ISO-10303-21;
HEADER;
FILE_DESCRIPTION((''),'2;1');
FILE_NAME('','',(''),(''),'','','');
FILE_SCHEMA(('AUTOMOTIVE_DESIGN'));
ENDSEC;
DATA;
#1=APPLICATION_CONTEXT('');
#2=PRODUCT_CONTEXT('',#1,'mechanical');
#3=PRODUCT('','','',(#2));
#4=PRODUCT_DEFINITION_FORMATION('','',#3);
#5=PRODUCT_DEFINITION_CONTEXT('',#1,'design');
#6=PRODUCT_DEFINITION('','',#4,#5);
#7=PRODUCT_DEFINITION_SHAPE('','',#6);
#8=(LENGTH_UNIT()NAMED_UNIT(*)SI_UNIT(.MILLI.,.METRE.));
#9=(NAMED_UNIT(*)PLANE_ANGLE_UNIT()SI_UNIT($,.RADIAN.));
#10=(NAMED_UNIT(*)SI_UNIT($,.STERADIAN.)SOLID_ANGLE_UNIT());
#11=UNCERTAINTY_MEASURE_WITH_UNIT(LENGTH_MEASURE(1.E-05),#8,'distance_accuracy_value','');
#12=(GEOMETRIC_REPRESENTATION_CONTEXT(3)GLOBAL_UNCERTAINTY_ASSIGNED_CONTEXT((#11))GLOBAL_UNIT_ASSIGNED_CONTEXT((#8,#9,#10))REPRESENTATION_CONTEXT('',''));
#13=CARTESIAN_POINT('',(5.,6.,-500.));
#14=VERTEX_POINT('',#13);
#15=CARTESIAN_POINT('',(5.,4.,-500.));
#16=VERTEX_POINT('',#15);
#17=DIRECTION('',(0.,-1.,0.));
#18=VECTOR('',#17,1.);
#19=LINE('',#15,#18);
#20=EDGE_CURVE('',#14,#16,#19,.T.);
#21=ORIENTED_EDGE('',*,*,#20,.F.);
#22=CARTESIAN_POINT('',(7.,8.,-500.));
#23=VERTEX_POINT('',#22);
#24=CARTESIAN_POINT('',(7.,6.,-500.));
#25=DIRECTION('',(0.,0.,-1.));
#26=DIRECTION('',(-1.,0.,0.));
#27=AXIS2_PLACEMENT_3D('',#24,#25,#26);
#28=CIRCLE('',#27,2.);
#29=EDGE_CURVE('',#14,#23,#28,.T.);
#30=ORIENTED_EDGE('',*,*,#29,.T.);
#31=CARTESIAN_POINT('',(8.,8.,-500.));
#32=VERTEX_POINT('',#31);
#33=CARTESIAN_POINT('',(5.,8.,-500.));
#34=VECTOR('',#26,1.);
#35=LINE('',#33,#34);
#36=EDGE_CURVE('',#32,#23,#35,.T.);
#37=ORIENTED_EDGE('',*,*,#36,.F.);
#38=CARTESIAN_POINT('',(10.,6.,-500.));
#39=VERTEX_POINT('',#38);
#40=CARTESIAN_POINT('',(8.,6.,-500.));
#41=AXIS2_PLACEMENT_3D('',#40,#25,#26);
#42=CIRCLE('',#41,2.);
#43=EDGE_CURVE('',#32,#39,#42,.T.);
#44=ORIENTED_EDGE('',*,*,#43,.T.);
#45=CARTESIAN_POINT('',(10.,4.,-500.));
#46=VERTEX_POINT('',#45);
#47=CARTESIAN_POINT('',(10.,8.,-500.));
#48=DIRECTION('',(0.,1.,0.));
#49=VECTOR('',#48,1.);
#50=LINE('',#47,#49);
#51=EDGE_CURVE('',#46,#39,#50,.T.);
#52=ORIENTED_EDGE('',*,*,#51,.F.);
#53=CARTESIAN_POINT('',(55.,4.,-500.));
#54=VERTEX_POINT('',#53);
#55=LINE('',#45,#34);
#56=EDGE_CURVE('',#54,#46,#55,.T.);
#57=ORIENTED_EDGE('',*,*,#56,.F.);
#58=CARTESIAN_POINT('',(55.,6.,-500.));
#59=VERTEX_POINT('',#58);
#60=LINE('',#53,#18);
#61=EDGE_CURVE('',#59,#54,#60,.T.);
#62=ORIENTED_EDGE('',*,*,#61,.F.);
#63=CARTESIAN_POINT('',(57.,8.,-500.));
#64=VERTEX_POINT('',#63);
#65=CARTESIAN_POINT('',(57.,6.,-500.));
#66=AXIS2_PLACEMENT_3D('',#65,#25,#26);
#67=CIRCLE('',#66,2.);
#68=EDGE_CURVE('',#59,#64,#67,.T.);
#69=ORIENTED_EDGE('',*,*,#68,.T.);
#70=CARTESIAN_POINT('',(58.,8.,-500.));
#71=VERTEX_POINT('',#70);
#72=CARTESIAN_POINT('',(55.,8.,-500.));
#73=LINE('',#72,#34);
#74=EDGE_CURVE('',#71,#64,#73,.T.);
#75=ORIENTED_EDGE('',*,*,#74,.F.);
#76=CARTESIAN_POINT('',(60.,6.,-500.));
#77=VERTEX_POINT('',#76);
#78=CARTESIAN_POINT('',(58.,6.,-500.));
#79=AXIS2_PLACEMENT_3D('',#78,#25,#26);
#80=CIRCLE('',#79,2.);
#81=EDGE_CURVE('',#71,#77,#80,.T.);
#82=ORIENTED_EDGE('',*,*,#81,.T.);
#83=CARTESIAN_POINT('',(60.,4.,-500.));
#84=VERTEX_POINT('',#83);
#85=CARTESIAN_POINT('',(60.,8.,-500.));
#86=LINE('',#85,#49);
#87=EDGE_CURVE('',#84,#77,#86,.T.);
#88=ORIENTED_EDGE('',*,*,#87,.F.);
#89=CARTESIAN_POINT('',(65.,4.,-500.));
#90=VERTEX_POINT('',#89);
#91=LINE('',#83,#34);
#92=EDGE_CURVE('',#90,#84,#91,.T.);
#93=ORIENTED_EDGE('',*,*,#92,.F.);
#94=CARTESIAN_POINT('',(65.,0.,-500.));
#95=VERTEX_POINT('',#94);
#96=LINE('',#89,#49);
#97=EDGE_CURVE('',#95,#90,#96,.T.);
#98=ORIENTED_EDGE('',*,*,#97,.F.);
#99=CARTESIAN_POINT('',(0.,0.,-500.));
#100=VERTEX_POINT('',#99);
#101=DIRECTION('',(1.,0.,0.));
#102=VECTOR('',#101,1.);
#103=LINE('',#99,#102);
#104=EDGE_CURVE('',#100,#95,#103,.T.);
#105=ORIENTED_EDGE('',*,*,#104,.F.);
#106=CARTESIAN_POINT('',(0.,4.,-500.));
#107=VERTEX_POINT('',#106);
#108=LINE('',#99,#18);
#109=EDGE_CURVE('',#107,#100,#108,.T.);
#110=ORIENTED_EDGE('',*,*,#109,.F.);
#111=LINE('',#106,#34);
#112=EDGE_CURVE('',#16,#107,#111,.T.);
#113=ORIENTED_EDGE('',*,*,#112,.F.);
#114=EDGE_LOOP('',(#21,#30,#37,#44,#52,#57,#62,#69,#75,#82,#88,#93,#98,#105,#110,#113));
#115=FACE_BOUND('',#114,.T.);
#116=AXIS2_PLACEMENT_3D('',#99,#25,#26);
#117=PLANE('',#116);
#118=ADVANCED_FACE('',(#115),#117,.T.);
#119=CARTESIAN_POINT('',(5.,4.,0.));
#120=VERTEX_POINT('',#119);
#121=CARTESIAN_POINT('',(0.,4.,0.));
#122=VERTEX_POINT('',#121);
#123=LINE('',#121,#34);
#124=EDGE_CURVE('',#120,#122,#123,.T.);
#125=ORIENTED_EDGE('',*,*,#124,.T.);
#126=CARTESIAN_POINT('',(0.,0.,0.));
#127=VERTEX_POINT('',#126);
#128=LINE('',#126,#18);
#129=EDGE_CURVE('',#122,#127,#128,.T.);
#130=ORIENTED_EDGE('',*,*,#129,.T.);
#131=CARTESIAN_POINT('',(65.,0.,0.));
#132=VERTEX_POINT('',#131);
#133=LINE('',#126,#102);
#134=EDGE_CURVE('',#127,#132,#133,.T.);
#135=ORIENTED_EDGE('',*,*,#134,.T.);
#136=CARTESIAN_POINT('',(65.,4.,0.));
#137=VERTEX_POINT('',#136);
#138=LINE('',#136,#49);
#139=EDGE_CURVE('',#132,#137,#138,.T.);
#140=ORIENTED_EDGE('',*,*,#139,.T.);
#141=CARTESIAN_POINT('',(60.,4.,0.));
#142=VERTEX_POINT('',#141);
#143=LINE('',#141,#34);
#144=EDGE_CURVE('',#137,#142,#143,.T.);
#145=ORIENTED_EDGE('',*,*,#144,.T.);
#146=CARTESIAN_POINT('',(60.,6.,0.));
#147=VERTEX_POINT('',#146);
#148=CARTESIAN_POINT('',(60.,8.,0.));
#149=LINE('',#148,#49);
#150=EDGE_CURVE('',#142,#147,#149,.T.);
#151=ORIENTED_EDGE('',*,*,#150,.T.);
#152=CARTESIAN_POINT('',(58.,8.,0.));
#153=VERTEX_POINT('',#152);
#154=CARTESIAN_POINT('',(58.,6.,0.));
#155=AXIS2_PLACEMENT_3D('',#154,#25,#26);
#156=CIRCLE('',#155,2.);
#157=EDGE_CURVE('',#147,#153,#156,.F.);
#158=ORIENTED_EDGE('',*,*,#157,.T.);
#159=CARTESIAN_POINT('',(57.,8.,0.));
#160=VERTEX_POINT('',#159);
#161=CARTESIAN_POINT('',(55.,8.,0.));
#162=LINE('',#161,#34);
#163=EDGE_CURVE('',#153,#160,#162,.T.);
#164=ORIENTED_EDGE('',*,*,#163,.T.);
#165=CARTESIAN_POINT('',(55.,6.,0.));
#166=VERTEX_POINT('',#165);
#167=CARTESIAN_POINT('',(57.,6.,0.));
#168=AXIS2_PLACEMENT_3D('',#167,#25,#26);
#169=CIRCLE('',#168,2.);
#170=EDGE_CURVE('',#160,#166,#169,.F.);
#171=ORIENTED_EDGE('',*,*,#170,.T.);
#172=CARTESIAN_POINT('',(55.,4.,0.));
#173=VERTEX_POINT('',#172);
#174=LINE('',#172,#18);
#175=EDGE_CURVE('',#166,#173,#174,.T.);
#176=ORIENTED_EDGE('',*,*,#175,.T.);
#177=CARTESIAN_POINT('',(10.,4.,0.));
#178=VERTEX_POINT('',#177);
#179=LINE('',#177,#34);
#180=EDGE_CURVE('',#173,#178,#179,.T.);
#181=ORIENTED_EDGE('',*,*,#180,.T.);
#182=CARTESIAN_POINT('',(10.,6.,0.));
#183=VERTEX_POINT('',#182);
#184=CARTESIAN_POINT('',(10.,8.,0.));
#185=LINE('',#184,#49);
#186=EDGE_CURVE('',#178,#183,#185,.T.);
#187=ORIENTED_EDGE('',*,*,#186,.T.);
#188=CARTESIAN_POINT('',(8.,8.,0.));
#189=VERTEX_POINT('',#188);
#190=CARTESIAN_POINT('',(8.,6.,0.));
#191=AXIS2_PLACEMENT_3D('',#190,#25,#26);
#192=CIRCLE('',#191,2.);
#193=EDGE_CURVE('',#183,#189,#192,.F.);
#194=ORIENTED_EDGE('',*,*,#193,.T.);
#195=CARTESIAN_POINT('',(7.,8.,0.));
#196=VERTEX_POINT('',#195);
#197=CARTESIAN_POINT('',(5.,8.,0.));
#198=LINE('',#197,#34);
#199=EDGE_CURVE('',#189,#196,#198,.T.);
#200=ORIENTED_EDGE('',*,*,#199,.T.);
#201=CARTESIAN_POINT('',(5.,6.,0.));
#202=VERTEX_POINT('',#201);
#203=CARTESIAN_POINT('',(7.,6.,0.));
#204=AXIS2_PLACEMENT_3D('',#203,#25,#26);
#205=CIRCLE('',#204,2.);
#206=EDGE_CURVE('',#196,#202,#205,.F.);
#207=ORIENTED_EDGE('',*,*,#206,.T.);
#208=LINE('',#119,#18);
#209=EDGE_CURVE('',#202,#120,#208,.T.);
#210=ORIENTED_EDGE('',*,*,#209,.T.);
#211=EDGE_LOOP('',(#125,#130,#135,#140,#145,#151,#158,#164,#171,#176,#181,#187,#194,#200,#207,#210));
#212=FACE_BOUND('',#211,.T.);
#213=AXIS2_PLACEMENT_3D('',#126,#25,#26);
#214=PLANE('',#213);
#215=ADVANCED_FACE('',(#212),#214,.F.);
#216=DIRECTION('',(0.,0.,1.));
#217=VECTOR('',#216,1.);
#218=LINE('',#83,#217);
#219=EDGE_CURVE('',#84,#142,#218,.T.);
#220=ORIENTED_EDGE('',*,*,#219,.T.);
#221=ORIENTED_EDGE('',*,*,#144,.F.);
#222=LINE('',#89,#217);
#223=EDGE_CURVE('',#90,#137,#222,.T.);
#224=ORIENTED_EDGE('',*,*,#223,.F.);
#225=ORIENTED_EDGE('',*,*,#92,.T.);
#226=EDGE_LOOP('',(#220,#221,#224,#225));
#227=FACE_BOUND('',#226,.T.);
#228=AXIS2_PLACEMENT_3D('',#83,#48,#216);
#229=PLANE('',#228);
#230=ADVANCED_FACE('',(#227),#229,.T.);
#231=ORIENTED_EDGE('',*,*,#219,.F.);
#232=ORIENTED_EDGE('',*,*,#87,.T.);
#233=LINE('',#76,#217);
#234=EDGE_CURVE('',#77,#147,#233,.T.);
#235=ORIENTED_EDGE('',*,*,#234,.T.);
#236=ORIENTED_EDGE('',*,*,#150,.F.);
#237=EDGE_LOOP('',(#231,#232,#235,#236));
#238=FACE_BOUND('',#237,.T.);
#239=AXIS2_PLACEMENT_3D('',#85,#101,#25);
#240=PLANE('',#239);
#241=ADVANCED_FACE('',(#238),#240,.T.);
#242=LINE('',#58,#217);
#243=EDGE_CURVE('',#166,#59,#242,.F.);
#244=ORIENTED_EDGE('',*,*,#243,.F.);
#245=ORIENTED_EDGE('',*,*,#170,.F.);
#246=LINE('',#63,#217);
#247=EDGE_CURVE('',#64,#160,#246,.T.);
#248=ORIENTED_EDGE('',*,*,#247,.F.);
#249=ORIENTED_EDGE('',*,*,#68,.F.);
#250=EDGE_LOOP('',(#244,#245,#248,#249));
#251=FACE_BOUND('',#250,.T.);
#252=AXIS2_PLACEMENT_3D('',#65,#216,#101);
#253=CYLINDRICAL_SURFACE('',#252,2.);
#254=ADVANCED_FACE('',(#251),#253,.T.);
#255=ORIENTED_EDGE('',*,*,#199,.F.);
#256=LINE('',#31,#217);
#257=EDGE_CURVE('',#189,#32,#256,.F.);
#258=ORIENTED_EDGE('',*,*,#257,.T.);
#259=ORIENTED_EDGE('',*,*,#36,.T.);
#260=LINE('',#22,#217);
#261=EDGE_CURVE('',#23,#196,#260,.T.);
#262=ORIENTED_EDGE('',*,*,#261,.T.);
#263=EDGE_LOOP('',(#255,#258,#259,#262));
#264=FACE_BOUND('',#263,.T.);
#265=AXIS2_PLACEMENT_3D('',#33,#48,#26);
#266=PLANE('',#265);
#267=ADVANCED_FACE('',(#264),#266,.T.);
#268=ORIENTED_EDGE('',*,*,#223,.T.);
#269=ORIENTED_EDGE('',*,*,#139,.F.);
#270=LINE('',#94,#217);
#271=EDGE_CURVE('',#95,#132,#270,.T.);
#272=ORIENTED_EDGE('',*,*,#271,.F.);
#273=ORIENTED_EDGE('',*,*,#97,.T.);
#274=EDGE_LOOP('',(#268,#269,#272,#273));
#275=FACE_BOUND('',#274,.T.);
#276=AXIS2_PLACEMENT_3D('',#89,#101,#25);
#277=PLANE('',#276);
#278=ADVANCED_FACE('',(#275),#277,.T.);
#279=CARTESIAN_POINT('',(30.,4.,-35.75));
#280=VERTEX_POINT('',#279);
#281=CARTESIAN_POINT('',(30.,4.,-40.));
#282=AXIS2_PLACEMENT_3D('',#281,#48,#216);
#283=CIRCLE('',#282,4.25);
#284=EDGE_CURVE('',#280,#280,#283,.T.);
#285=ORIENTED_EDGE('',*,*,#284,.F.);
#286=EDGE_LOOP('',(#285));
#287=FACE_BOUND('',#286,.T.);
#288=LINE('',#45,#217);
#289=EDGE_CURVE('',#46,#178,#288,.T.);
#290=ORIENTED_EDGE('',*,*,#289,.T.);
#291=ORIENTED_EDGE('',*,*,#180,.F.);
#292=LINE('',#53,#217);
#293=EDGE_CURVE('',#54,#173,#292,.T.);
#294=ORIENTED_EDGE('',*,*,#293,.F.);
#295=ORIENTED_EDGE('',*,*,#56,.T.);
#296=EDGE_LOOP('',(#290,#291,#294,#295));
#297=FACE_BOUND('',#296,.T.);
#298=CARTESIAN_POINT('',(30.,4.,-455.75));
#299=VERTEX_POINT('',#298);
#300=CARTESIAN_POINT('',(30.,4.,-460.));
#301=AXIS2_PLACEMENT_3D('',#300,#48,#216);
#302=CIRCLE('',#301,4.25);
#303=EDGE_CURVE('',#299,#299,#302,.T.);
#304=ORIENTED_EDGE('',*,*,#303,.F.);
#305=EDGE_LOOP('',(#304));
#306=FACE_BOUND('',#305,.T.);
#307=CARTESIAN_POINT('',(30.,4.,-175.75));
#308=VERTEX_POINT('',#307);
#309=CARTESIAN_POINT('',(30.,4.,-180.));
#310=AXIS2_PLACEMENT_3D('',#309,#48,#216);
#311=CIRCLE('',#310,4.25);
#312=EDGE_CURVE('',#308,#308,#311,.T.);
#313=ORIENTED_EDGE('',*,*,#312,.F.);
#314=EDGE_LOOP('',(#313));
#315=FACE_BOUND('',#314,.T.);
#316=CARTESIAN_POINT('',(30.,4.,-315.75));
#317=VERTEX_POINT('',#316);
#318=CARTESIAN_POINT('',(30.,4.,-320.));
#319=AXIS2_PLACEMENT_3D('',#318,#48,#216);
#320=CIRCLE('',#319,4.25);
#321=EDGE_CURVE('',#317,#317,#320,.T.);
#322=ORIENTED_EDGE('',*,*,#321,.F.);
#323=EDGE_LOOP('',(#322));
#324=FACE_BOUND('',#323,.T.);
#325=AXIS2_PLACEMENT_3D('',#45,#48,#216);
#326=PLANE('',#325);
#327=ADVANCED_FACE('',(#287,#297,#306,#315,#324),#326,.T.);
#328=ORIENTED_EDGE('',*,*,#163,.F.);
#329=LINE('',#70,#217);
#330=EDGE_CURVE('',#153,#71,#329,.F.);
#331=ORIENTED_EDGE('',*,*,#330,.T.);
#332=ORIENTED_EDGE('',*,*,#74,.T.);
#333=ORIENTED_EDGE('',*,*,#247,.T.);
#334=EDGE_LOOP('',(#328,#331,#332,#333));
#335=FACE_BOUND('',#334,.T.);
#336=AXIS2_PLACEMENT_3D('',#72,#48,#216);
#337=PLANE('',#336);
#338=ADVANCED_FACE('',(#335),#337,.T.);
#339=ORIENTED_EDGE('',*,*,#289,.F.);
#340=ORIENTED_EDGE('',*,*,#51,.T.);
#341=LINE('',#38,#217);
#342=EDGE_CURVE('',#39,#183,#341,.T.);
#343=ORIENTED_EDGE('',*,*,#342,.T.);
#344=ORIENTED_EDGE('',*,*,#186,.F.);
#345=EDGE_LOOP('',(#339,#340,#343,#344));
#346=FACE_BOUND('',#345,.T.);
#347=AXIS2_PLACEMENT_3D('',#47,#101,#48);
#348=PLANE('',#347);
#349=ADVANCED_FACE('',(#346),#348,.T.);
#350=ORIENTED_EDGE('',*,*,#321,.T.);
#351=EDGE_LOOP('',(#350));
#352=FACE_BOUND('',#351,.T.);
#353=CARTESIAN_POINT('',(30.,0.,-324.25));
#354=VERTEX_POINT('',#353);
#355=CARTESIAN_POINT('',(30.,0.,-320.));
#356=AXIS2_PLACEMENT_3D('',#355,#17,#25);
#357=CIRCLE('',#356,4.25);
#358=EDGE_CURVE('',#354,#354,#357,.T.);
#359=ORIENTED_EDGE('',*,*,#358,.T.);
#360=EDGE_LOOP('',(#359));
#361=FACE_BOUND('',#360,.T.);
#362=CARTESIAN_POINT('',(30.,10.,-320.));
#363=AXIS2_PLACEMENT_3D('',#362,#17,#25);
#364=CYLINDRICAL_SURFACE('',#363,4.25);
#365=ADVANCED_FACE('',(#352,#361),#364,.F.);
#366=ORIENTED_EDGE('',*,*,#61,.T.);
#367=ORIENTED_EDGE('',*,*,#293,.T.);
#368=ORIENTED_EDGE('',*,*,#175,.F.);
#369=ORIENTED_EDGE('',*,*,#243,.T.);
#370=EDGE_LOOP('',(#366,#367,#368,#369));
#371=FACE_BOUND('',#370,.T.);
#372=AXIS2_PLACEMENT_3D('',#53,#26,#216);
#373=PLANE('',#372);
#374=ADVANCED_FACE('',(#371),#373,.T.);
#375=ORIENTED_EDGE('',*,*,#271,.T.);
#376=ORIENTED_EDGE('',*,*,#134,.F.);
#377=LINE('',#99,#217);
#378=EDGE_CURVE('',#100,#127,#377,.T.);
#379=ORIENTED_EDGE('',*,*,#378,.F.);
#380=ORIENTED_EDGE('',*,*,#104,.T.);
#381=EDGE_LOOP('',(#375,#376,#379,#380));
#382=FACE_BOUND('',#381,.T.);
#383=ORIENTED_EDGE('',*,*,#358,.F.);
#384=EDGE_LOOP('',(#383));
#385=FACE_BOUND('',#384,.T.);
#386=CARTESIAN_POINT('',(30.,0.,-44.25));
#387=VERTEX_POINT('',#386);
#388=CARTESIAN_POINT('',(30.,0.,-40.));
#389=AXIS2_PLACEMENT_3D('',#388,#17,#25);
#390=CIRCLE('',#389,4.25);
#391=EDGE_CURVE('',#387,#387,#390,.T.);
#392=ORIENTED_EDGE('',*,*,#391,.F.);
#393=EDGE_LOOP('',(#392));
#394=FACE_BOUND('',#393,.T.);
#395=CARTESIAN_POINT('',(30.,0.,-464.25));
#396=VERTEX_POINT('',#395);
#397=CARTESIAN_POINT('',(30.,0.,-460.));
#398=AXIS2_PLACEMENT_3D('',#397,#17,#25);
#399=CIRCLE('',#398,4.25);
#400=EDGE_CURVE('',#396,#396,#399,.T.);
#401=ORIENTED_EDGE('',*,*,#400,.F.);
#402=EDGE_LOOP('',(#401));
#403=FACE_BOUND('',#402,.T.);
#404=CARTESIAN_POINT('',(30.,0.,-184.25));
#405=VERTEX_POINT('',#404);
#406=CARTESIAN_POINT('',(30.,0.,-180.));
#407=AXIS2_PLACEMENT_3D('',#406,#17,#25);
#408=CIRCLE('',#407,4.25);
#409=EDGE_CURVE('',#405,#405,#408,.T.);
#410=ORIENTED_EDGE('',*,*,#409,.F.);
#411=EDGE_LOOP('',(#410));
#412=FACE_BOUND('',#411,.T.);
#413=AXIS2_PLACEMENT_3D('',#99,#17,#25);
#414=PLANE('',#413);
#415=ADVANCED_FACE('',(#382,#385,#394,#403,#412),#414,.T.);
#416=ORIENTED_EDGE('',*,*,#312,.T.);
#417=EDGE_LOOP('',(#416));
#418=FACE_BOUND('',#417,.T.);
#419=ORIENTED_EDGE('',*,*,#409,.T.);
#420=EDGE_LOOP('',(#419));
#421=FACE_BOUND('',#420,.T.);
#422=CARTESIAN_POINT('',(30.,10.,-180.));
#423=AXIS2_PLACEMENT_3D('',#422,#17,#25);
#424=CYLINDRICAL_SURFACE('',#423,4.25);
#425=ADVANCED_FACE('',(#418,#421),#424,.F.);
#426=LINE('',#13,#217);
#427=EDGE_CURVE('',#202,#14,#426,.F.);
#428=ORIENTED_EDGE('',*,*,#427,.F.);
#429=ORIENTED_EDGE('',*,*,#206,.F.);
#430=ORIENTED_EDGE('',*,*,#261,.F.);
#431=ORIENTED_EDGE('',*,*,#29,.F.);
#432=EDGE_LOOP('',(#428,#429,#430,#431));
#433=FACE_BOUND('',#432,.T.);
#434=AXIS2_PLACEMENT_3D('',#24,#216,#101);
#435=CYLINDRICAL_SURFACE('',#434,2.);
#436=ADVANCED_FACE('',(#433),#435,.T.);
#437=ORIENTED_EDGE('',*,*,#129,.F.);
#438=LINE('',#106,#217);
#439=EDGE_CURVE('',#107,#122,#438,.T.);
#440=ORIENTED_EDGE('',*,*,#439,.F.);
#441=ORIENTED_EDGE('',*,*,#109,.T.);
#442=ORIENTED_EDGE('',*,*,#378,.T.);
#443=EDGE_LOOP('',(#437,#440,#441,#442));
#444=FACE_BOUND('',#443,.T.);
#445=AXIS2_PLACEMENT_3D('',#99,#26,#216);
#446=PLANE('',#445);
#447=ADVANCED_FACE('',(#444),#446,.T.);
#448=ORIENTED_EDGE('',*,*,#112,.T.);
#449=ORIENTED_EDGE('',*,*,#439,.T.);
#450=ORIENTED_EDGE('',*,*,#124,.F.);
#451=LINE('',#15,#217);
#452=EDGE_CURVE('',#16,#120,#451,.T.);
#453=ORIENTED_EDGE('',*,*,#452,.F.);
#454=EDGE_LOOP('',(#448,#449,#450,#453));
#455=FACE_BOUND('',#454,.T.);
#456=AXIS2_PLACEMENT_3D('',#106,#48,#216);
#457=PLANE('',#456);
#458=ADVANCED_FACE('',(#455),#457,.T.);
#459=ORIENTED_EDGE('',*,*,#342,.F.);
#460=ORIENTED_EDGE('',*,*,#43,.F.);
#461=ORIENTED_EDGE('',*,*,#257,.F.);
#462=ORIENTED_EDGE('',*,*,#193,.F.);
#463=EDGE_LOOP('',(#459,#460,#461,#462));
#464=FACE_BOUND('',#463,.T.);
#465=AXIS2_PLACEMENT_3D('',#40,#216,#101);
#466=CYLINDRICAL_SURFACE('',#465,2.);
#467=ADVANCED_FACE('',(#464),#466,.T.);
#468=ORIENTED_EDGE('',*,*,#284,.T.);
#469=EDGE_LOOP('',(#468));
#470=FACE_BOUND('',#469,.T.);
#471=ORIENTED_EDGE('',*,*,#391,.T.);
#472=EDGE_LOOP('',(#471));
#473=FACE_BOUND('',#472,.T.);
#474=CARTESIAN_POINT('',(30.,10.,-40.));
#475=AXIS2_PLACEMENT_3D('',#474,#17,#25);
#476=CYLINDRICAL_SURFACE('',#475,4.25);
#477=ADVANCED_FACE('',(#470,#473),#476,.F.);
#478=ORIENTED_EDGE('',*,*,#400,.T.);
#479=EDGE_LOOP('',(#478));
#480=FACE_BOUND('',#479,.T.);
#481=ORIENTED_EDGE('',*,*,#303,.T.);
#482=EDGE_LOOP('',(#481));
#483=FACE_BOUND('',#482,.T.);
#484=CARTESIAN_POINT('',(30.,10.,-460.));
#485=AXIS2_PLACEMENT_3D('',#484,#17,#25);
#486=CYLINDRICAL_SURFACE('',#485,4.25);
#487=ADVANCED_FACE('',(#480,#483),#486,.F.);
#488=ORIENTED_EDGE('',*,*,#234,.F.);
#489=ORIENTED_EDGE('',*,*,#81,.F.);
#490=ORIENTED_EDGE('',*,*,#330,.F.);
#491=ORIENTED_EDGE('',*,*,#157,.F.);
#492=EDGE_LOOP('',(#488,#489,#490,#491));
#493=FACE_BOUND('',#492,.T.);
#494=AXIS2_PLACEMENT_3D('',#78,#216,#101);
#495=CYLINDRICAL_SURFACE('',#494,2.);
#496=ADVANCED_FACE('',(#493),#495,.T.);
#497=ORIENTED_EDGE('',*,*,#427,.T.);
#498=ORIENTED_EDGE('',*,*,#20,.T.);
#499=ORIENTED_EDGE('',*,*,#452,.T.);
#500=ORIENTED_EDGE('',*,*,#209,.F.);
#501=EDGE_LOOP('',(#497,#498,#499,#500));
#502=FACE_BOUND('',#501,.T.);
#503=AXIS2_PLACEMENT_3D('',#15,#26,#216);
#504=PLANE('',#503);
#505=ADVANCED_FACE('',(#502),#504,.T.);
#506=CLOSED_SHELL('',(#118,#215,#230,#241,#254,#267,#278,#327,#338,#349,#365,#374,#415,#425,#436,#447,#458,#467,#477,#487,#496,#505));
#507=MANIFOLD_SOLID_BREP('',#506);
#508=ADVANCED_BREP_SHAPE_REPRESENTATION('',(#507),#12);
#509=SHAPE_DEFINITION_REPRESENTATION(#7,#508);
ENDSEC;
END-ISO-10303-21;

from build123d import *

# Parameters (mm, degrees)
Y_KSEKLIK_EKSTR_ZYON1_DEPTH = 500
RADYUS1_R                   = 2
IZIM2_R                     = 4.25
KES_EKSTR_ZYON1_DEPTH       = 10


with BuildPart() as part:
    # Çizim1 → Yükseklik-Ekstrüzyon1 (new body)
    with BuildSketch(Plane.XY):
        Polygon((0, 0), (65, 0), (65, 4), (60, 4), (60, 8), (55, 8), (55, 4), (10, 4), (10, 8), (5, 8), (5, 4), (0, 4), align=None)
    extrude(amount=-Y_KSEKLIK_EKSTR_ZYON1_DEPTH)

    # Radyus1
    radyus1_edges = [part.edges().sort_by_distance(p)[0] for p in [
        (5, 8, -250),
        (10, 8, -250),
        (55, 8, -250),
        (60, 8, -250),
    ]]
    fillet(radyus1_edges, radius=RADYUS1_R)

    # Çizim2 → Kes-Ekstrüzyon1 (cut)
    with BuildSketch(Plane.XZ):
        with Locations(Location((30, -40, 0), (0, 0, 270))):
            Circle(IZIM2_R)
        with Locations(Location((30, -180, 0), (0, 0, 270))):
            Circle(IZIM2_R)
        with Locations(Location((30, -320, 0), (0, 0, 270))):
            Circle(IZIM2_R)
        with Locations(Location((30, -460, 0), (0, 0, 270))):
            Circle(IZIM2_R)
    extrude(amount=-KES_EKSTR_ZYON1_DEPTH, mode=Mode.SUBTRACT)


solid = part.part
